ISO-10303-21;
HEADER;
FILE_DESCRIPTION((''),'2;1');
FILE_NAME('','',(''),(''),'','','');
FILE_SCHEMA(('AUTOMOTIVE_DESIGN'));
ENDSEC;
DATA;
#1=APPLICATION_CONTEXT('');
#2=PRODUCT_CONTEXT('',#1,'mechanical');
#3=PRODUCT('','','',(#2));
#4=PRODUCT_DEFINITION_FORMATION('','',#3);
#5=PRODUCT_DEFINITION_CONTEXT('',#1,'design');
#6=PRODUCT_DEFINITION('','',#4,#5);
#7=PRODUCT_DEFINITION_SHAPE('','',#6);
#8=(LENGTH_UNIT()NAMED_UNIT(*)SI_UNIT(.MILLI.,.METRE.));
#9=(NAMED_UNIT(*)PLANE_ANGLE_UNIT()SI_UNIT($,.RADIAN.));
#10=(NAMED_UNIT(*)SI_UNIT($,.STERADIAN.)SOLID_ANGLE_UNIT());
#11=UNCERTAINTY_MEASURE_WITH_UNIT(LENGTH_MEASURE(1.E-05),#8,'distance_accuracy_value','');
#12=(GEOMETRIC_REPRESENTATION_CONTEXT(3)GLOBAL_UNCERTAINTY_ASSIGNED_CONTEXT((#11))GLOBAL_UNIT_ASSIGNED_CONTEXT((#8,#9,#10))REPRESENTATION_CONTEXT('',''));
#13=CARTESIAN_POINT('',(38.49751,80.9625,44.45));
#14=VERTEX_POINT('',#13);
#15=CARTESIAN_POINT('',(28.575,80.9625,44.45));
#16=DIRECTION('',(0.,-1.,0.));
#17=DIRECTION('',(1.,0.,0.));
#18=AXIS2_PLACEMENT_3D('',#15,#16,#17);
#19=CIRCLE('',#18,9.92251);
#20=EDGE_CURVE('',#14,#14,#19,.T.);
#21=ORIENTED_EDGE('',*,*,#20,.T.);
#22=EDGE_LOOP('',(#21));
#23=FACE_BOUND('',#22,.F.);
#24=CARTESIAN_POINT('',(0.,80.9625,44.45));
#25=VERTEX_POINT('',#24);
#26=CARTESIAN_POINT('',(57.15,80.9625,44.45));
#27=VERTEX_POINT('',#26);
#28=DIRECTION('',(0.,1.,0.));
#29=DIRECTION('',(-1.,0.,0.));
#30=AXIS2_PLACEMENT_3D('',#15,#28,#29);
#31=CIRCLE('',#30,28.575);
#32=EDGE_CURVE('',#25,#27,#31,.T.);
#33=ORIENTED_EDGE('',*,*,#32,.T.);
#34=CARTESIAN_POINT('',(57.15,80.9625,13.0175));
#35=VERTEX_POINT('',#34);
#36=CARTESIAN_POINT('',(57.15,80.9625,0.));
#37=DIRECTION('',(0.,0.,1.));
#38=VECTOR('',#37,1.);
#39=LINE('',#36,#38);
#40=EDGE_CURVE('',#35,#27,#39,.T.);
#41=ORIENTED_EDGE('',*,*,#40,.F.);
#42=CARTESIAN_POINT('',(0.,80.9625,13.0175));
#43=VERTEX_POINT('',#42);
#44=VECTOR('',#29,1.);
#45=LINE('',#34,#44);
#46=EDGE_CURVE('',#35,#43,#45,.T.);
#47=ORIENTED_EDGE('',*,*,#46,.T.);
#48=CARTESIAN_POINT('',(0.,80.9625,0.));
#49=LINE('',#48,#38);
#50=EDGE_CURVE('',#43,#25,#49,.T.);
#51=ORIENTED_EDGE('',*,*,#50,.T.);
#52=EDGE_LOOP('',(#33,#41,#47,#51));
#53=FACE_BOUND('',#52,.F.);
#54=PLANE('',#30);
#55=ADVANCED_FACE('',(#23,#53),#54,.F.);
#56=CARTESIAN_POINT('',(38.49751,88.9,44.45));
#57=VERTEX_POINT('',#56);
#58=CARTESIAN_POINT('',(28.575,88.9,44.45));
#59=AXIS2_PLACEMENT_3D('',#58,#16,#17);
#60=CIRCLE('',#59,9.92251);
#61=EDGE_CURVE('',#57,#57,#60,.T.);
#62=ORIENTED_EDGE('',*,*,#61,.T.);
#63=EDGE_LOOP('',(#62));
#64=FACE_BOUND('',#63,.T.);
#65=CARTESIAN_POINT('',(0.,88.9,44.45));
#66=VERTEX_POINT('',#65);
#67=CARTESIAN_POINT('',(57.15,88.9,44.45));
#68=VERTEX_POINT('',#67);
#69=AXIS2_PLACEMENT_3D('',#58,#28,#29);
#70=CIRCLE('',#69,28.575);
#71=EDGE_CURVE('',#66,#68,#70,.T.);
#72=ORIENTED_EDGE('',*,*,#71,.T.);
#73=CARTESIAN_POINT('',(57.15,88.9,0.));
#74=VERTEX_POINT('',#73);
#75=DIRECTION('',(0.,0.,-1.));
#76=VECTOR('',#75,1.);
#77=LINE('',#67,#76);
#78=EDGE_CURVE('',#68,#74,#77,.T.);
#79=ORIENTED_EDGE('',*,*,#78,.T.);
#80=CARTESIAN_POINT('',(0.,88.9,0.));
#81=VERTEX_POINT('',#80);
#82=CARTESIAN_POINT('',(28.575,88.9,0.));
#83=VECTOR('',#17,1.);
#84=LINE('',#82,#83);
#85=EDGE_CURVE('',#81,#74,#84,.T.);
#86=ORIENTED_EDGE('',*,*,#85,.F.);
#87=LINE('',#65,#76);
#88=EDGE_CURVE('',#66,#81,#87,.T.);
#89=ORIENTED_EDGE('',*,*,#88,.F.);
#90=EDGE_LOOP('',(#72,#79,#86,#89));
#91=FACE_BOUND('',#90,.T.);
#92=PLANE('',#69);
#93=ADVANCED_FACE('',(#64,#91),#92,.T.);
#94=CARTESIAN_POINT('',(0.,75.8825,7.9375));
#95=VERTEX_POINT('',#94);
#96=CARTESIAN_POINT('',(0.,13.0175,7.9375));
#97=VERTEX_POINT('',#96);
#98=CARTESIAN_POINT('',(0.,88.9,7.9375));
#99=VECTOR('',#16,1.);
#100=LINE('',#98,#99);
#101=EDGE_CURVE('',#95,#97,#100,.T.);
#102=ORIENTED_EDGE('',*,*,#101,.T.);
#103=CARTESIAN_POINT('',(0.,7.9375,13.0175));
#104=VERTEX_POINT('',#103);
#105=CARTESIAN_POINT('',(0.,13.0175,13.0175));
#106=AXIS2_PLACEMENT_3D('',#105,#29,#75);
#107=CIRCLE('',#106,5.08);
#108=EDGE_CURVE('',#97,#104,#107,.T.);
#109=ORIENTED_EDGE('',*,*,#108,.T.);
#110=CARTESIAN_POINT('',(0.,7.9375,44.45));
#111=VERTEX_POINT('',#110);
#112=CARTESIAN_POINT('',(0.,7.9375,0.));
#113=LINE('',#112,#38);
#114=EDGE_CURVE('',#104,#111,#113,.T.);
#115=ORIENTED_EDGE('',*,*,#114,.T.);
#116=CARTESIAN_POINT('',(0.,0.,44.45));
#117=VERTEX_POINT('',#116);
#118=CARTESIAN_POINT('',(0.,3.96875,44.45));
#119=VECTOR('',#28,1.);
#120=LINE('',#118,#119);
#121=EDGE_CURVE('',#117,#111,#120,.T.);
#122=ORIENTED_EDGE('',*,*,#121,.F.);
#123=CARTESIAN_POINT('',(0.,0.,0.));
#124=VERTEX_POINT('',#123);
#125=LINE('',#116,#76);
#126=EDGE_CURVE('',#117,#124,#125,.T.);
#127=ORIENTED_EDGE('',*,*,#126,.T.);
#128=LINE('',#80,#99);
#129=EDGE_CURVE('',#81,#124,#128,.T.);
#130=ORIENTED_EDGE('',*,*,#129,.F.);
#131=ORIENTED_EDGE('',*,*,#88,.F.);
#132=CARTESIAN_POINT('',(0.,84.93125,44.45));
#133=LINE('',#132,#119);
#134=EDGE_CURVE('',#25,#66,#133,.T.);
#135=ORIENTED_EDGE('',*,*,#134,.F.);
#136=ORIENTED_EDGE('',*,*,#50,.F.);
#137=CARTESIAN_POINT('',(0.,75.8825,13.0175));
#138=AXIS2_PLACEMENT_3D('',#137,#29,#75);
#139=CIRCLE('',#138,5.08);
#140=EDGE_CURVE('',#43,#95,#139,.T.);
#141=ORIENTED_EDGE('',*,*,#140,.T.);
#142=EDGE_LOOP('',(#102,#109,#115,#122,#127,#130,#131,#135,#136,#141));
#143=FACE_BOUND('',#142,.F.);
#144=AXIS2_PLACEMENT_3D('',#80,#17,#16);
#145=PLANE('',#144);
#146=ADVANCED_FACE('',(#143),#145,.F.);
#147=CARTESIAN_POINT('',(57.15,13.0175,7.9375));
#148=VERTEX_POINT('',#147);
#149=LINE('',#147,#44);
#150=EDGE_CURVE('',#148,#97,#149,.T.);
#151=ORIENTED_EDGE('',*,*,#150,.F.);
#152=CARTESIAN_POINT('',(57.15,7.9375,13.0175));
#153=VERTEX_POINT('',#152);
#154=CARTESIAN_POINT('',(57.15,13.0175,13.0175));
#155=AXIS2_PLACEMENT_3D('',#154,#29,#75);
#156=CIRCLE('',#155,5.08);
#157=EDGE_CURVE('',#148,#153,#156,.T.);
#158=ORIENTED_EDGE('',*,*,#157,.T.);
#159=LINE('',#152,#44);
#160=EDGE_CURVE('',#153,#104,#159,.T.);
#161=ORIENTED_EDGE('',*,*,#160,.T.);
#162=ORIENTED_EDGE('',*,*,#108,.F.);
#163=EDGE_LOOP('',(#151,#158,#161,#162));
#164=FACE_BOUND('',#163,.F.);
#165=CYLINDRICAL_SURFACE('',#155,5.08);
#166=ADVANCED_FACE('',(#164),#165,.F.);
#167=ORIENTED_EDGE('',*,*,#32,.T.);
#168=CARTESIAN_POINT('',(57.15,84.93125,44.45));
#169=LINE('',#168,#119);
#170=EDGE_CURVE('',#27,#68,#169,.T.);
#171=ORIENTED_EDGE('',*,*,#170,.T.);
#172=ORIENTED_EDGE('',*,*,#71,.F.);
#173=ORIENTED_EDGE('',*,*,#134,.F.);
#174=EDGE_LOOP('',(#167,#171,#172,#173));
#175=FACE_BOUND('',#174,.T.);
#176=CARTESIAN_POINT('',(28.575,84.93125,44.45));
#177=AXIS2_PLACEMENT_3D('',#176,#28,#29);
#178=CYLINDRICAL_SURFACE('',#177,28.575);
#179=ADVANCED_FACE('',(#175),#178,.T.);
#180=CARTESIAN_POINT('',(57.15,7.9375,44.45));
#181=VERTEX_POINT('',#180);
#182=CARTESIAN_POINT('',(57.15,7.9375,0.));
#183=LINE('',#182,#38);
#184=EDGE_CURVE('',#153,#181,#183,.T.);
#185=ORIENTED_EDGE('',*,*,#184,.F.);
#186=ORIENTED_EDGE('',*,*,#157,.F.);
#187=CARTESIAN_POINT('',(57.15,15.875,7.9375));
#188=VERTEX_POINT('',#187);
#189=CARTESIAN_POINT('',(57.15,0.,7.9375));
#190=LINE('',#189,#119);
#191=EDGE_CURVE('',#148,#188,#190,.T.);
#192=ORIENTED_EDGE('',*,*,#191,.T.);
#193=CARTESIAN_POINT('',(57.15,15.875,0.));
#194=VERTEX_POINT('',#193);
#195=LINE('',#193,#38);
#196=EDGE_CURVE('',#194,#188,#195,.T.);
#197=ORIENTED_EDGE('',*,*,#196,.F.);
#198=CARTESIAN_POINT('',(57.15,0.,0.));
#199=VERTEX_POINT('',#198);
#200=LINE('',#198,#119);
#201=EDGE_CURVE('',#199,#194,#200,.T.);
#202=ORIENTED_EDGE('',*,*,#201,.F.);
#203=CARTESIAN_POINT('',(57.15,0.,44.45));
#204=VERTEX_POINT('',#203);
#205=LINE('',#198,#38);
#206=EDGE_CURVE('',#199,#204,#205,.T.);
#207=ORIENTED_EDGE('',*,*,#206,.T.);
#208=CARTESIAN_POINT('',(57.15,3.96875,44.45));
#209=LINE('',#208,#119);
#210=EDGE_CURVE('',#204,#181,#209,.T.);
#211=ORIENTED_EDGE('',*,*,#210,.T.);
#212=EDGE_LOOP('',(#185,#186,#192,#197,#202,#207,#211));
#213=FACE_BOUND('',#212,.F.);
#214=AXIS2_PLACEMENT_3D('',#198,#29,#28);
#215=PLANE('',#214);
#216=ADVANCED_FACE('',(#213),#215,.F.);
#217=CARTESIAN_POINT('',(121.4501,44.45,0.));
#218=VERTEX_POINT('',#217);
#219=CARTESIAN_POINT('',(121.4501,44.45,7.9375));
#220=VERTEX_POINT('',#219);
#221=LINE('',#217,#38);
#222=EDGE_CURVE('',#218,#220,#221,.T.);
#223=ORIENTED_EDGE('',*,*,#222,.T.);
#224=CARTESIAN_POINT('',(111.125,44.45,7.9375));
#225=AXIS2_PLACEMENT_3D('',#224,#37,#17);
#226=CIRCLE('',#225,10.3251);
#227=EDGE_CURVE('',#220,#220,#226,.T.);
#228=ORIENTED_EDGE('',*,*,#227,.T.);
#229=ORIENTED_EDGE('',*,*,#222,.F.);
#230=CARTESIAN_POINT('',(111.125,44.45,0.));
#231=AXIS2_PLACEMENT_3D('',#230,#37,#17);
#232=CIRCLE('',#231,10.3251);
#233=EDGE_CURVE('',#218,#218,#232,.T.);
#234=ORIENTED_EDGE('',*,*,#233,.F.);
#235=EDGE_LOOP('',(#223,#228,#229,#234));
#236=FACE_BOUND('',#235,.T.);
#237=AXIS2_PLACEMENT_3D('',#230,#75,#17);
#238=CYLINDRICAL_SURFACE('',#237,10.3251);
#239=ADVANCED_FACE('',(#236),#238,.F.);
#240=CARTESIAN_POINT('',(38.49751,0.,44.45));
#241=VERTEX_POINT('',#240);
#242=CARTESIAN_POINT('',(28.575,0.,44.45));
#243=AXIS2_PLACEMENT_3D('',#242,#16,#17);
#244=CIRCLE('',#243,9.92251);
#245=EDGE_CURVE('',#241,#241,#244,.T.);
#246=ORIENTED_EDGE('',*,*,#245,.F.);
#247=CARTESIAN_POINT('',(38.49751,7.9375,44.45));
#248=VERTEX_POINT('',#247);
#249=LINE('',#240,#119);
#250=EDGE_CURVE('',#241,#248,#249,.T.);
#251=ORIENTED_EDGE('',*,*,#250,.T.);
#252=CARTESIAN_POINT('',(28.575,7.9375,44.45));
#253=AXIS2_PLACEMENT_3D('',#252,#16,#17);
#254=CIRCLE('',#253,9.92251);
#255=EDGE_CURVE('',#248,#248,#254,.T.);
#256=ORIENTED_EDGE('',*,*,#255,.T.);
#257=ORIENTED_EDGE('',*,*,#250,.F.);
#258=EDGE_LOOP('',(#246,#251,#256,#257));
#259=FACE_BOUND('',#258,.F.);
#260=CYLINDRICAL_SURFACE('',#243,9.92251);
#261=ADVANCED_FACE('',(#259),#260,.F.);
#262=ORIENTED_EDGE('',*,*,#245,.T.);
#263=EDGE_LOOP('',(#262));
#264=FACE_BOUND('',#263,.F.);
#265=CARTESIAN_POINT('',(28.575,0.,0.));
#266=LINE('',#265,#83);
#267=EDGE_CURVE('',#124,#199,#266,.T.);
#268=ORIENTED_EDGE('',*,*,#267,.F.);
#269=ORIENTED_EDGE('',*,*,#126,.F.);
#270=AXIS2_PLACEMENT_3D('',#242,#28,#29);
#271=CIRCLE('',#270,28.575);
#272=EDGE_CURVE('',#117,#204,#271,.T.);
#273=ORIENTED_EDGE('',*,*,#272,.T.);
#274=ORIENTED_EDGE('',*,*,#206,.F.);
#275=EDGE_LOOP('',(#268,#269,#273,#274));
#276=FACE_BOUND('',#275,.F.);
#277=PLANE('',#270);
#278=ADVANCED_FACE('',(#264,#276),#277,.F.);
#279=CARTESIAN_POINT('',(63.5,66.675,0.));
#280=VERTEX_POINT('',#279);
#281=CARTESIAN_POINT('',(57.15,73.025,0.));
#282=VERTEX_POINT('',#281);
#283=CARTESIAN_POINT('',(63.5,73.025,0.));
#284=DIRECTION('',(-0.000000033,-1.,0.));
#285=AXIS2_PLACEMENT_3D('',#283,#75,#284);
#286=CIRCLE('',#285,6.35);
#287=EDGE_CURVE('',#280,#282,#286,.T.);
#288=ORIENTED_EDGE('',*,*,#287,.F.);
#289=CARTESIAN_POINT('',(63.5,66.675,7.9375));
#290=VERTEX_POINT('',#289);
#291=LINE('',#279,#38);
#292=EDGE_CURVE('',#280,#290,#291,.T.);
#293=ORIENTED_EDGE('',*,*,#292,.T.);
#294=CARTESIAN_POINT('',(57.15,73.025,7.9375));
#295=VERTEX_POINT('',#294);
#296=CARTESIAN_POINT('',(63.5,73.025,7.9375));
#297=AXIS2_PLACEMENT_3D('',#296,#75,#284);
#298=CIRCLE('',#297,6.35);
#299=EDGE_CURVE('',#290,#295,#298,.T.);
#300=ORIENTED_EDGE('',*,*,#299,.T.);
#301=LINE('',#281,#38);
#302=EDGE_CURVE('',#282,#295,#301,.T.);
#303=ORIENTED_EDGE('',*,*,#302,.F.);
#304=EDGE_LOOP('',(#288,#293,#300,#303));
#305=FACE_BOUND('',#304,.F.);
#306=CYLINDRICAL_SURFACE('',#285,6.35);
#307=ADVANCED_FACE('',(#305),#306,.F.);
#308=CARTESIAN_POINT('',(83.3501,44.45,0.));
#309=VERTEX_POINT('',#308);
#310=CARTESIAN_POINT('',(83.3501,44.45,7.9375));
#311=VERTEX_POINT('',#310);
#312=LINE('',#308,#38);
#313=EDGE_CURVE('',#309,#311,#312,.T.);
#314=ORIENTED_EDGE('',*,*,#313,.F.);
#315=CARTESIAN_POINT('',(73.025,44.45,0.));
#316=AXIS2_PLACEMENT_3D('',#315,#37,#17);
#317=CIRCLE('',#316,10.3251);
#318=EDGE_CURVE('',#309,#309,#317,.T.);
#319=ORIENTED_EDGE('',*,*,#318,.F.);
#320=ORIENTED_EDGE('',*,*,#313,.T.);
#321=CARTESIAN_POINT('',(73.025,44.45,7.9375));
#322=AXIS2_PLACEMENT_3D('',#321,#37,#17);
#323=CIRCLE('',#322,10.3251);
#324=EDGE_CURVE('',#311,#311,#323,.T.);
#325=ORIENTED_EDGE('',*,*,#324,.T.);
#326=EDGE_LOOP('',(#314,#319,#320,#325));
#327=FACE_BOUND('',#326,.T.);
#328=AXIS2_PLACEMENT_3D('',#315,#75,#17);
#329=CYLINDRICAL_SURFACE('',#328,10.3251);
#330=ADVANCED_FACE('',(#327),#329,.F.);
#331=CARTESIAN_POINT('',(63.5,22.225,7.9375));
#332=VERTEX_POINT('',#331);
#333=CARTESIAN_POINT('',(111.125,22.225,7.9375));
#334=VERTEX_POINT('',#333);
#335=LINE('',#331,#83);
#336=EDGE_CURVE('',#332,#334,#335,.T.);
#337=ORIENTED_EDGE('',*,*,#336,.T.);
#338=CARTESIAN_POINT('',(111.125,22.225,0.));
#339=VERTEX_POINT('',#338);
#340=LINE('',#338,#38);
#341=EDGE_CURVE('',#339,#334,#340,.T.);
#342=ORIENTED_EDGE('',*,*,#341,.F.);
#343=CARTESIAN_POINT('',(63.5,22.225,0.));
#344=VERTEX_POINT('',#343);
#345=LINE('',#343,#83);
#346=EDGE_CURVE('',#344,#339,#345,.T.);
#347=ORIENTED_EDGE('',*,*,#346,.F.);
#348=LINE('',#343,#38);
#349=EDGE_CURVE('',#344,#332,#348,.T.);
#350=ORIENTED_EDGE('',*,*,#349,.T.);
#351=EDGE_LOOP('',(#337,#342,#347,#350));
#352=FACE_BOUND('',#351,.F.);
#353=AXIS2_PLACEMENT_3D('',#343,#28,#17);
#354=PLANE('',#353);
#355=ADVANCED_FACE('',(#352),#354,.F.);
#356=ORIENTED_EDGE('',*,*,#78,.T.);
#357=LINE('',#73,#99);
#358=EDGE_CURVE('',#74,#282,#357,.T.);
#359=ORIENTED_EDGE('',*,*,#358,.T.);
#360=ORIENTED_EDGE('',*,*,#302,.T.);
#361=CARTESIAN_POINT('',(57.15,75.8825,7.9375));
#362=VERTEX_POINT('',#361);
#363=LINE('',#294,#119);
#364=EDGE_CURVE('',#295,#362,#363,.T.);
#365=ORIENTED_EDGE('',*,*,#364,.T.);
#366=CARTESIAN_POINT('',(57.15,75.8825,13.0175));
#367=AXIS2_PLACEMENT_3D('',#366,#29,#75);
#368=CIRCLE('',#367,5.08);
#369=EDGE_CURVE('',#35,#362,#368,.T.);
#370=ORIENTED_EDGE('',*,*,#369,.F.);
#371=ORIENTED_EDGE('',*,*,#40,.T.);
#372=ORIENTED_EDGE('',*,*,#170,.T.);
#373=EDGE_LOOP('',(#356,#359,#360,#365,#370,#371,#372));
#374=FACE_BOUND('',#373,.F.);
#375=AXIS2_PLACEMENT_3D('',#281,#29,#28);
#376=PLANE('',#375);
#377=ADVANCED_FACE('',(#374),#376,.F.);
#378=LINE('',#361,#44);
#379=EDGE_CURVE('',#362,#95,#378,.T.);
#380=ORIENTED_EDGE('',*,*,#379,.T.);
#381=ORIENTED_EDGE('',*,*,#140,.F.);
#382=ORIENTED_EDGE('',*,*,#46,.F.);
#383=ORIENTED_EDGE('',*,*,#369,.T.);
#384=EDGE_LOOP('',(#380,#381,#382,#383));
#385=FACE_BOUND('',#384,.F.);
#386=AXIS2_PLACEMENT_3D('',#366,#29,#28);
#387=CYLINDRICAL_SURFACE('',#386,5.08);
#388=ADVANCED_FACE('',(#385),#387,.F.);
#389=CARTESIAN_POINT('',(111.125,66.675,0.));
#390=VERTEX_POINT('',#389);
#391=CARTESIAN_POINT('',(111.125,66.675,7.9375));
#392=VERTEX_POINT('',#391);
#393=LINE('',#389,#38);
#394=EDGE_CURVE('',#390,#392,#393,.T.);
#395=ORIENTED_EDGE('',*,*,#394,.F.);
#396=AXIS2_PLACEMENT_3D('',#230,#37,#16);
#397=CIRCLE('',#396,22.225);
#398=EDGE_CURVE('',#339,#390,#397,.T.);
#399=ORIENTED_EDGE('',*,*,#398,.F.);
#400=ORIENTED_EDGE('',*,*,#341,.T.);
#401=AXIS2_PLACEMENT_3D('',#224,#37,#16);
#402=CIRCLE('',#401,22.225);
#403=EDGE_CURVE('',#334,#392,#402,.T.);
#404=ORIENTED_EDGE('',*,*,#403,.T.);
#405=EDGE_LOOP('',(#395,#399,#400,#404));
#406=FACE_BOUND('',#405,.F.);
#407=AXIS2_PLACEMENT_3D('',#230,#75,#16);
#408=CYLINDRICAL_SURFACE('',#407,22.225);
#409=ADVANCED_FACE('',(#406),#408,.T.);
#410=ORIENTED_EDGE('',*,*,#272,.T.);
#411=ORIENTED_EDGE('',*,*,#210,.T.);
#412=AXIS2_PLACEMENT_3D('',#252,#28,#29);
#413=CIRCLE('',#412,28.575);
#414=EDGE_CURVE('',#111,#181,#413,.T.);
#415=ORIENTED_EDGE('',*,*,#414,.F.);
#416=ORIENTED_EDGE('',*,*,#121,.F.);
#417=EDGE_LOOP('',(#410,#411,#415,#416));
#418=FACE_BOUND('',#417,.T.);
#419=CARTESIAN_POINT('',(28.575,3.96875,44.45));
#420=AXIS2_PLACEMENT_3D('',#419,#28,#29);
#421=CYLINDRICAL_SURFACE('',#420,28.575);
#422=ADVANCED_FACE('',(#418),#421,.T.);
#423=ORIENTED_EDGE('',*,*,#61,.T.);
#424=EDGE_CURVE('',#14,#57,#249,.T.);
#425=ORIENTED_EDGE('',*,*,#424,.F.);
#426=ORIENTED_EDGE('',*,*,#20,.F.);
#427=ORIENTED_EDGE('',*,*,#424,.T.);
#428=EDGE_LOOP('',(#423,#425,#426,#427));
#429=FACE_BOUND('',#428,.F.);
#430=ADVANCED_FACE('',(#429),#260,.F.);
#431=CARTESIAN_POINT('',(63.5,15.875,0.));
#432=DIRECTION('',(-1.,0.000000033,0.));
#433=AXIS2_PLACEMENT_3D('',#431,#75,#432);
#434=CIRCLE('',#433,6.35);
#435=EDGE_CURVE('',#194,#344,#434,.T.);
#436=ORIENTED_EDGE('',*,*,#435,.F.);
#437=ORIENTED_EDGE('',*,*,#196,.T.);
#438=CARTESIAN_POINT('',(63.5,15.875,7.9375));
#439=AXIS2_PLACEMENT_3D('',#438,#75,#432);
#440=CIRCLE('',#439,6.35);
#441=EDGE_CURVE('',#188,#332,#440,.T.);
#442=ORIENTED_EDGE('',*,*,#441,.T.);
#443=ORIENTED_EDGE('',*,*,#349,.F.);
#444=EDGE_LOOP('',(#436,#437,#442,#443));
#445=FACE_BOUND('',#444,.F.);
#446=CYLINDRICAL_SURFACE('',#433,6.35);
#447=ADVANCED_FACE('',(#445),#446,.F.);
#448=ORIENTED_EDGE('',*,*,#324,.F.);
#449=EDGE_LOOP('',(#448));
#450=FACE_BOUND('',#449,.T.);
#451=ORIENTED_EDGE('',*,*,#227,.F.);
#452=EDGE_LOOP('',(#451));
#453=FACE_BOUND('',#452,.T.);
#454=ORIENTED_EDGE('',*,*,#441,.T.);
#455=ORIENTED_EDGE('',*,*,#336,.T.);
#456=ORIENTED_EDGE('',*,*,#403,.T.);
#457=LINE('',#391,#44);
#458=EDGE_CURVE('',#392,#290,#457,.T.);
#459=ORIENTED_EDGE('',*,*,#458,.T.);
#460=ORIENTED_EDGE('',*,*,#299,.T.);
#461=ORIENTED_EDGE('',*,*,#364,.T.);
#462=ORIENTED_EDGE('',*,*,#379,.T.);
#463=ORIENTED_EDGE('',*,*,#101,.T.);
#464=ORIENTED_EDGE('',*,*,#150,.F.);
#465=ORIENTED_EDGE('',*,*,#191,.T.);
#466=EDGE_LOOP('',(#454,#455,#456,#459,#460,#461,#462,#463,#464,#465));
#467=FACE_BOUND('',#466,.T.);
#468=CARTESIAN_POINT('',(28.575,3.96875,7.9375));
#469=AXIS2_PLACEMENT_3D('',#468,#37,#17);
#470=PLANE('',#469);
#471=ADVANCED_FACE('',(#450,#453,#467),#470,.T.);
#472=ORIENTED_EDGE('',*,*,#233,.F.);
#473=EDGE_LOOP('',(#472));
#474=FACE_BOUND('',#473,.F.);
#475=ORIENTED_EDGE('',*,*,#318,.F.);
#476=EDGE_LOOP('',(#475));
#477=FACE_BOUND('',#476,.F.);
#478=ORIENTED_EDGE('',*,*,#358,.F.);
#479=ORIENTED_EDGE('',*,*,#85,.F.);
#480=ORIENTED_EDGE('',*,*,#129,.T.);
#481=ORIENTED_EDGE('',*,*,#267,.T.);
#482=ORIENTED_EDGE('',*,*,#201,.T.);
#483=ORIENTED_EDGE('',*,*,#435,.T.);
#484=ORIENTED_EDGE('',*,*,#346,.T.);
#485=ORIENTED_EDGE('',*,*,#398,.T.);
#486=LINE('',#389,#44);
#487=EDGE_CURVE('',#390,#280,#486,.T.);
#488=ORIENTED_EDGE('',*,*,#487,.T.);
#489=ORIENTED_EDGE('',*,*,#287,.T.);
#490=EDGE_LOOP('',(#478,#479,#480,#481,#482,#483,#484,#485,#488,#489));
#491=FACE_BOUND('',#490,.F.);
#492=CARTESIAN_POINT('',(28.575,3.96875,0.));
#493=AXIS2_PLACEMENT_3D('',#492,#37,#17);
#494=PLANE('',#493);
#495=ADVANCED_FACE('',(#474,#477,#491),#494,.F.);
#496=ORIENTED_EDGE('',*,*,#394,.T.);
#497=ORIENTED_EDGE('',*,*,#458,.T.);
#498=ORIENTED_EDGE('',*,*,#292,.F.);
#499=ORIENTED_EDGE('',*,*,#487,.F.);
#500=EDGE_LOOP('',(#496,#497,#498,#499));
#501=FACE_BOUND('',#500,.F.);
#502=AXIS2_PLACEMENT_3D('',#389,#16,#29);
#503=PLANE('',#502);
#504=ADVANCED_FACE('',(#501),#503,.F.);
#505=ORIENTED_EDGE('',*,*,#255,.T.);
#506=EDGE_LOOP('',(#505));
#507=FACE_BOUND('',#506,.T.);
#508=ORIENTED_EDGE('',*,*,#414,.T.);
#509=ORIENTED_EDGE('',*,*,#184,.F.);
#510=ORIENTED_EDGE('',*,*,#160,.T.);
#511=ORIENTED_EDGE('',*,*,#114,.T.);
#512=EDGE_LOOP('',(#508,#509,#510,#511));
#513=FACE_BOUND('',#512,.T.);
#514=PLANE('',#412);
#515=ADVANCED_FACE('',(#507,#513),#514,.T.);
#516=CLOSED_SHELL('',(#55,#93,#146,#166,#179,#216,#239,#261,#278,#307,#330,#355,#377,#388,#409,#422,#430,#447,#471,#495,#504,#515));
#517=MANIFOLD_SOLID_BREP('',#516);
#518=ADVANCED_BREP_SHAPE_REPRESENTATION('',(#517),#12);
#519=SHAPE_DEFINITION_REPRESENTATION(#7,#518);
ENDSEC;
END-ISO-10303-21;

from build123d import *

# Parameters (mm, degrees)
F0_W     = 57.15
F0_H     = 7.9375
F0_R     = 10.3251
F1_DEPTH = 7.9375
F2_DEPTH = 44.45
F3_DEPTH = 44.45
F4_W     = 28.575
F4_H     = 7.9375
F6_W     = 28.575
F6_H     = 7.9375
F8_R     = 9.92251
F9_DEPTH = 88.901
F10_R    = 5.08


with BuildPart() as f1:
    # F0 (on Top) → F1 (new body)
    with BuildSketch(Plane.XY):
        with Locations((28.575, 3.96875)):
            Rectangle(F0_W, F0_H)
        with BuildLine():
            Line((0, 80.9625), (0, 7.9375))
            Line((0, 7.9375), (57.15, 7.9375))
            Line((57.15, 7.9375), (57.15, 15.875))
            ThreePointArc((57.15, 15.875), (59.009872, 20.365128), (63.5, 22.225))
            Line((63.5, 22.225), (111.125, 22.225))
            ThreePointArc((111.125, 22.225), (133.35, 44.45), (111.125, 66.675))
            Line((111.125, 66.675), (63.5, 66.675))
            ThreePointArc((63.5, 66.675), (59.009872, 68.534872), (57.15, 73.025))
            Line((57.15, 73.025), (57.15, 80.9625))
            Line((57.15, 80.9625), (0, 80.9625))
        make_face()
        with Locations((73.025, 44.45)):
            Circle(F0_R, mode=Mode.SUBTRACT)
        with Locations((111.125, 44.45)):
            Circle(F0_R, mode=Mode.SUBTRACT)
        with Locations((28.575, 84.93125)):
            Rectangle(F0_W, F0_H)
    extrude(amount=F1_DEPTH)

    # F0 (on Top) → F2 (join)
    with BuildSketch(Plane.XY):
        with Locations((28.575, 3.96875)):
            Rectangle(F0_W, F0_H)
    extrude(amount=F2_DEPTH)

    # F0 (on Top) → F3 (join)
    with BuildSketch(Plane.XY):
        with Locations((28.575, 84.93125)):
            Rectangle(F0_W, F0_H)
    extrude(amount=F3_DEPTH)

    # F4 (on face) → F5 (revolve)
    with BuildSketch(Plane.XY.offset(44.45)):
        with Locations((14.2875, 3.96875)):
            Rectangle(F4_W, F4_H)
    revolve(axis=Axis((28.575, 3.96875, 44.45), (0, 1, 0)))

    # F6 (on face) → F7 (revolve)
    with BuildSketch(Plane.XY.offset(44.45)):
        with Locations((14.2875, 84.93125)):
            Rectangle(F6_W, F6_H)
    revolve(axis=Axis((28.575, 84.93125, 44.45), (0, 1, 0)))

    # F8 (on face) → F9 (cut, through all)
    with BuildSketch(Plane.XZ):
        with Locations((28.575, 44.45)):
            Circle(F8_R)
    extrude(amount=-F9_DEPTH, mode=Mode.SUBTRACT)

    # F10
    f10_edges = [f1.edges().sort_by_distance(p)[0] for p in [
        (28.575, 80.9625, 7.9375),
        (28.575, 7.9375, 7.9375),
    ]]
    fillet(f10_edges, radius=F10_R)


solid = f1.part
